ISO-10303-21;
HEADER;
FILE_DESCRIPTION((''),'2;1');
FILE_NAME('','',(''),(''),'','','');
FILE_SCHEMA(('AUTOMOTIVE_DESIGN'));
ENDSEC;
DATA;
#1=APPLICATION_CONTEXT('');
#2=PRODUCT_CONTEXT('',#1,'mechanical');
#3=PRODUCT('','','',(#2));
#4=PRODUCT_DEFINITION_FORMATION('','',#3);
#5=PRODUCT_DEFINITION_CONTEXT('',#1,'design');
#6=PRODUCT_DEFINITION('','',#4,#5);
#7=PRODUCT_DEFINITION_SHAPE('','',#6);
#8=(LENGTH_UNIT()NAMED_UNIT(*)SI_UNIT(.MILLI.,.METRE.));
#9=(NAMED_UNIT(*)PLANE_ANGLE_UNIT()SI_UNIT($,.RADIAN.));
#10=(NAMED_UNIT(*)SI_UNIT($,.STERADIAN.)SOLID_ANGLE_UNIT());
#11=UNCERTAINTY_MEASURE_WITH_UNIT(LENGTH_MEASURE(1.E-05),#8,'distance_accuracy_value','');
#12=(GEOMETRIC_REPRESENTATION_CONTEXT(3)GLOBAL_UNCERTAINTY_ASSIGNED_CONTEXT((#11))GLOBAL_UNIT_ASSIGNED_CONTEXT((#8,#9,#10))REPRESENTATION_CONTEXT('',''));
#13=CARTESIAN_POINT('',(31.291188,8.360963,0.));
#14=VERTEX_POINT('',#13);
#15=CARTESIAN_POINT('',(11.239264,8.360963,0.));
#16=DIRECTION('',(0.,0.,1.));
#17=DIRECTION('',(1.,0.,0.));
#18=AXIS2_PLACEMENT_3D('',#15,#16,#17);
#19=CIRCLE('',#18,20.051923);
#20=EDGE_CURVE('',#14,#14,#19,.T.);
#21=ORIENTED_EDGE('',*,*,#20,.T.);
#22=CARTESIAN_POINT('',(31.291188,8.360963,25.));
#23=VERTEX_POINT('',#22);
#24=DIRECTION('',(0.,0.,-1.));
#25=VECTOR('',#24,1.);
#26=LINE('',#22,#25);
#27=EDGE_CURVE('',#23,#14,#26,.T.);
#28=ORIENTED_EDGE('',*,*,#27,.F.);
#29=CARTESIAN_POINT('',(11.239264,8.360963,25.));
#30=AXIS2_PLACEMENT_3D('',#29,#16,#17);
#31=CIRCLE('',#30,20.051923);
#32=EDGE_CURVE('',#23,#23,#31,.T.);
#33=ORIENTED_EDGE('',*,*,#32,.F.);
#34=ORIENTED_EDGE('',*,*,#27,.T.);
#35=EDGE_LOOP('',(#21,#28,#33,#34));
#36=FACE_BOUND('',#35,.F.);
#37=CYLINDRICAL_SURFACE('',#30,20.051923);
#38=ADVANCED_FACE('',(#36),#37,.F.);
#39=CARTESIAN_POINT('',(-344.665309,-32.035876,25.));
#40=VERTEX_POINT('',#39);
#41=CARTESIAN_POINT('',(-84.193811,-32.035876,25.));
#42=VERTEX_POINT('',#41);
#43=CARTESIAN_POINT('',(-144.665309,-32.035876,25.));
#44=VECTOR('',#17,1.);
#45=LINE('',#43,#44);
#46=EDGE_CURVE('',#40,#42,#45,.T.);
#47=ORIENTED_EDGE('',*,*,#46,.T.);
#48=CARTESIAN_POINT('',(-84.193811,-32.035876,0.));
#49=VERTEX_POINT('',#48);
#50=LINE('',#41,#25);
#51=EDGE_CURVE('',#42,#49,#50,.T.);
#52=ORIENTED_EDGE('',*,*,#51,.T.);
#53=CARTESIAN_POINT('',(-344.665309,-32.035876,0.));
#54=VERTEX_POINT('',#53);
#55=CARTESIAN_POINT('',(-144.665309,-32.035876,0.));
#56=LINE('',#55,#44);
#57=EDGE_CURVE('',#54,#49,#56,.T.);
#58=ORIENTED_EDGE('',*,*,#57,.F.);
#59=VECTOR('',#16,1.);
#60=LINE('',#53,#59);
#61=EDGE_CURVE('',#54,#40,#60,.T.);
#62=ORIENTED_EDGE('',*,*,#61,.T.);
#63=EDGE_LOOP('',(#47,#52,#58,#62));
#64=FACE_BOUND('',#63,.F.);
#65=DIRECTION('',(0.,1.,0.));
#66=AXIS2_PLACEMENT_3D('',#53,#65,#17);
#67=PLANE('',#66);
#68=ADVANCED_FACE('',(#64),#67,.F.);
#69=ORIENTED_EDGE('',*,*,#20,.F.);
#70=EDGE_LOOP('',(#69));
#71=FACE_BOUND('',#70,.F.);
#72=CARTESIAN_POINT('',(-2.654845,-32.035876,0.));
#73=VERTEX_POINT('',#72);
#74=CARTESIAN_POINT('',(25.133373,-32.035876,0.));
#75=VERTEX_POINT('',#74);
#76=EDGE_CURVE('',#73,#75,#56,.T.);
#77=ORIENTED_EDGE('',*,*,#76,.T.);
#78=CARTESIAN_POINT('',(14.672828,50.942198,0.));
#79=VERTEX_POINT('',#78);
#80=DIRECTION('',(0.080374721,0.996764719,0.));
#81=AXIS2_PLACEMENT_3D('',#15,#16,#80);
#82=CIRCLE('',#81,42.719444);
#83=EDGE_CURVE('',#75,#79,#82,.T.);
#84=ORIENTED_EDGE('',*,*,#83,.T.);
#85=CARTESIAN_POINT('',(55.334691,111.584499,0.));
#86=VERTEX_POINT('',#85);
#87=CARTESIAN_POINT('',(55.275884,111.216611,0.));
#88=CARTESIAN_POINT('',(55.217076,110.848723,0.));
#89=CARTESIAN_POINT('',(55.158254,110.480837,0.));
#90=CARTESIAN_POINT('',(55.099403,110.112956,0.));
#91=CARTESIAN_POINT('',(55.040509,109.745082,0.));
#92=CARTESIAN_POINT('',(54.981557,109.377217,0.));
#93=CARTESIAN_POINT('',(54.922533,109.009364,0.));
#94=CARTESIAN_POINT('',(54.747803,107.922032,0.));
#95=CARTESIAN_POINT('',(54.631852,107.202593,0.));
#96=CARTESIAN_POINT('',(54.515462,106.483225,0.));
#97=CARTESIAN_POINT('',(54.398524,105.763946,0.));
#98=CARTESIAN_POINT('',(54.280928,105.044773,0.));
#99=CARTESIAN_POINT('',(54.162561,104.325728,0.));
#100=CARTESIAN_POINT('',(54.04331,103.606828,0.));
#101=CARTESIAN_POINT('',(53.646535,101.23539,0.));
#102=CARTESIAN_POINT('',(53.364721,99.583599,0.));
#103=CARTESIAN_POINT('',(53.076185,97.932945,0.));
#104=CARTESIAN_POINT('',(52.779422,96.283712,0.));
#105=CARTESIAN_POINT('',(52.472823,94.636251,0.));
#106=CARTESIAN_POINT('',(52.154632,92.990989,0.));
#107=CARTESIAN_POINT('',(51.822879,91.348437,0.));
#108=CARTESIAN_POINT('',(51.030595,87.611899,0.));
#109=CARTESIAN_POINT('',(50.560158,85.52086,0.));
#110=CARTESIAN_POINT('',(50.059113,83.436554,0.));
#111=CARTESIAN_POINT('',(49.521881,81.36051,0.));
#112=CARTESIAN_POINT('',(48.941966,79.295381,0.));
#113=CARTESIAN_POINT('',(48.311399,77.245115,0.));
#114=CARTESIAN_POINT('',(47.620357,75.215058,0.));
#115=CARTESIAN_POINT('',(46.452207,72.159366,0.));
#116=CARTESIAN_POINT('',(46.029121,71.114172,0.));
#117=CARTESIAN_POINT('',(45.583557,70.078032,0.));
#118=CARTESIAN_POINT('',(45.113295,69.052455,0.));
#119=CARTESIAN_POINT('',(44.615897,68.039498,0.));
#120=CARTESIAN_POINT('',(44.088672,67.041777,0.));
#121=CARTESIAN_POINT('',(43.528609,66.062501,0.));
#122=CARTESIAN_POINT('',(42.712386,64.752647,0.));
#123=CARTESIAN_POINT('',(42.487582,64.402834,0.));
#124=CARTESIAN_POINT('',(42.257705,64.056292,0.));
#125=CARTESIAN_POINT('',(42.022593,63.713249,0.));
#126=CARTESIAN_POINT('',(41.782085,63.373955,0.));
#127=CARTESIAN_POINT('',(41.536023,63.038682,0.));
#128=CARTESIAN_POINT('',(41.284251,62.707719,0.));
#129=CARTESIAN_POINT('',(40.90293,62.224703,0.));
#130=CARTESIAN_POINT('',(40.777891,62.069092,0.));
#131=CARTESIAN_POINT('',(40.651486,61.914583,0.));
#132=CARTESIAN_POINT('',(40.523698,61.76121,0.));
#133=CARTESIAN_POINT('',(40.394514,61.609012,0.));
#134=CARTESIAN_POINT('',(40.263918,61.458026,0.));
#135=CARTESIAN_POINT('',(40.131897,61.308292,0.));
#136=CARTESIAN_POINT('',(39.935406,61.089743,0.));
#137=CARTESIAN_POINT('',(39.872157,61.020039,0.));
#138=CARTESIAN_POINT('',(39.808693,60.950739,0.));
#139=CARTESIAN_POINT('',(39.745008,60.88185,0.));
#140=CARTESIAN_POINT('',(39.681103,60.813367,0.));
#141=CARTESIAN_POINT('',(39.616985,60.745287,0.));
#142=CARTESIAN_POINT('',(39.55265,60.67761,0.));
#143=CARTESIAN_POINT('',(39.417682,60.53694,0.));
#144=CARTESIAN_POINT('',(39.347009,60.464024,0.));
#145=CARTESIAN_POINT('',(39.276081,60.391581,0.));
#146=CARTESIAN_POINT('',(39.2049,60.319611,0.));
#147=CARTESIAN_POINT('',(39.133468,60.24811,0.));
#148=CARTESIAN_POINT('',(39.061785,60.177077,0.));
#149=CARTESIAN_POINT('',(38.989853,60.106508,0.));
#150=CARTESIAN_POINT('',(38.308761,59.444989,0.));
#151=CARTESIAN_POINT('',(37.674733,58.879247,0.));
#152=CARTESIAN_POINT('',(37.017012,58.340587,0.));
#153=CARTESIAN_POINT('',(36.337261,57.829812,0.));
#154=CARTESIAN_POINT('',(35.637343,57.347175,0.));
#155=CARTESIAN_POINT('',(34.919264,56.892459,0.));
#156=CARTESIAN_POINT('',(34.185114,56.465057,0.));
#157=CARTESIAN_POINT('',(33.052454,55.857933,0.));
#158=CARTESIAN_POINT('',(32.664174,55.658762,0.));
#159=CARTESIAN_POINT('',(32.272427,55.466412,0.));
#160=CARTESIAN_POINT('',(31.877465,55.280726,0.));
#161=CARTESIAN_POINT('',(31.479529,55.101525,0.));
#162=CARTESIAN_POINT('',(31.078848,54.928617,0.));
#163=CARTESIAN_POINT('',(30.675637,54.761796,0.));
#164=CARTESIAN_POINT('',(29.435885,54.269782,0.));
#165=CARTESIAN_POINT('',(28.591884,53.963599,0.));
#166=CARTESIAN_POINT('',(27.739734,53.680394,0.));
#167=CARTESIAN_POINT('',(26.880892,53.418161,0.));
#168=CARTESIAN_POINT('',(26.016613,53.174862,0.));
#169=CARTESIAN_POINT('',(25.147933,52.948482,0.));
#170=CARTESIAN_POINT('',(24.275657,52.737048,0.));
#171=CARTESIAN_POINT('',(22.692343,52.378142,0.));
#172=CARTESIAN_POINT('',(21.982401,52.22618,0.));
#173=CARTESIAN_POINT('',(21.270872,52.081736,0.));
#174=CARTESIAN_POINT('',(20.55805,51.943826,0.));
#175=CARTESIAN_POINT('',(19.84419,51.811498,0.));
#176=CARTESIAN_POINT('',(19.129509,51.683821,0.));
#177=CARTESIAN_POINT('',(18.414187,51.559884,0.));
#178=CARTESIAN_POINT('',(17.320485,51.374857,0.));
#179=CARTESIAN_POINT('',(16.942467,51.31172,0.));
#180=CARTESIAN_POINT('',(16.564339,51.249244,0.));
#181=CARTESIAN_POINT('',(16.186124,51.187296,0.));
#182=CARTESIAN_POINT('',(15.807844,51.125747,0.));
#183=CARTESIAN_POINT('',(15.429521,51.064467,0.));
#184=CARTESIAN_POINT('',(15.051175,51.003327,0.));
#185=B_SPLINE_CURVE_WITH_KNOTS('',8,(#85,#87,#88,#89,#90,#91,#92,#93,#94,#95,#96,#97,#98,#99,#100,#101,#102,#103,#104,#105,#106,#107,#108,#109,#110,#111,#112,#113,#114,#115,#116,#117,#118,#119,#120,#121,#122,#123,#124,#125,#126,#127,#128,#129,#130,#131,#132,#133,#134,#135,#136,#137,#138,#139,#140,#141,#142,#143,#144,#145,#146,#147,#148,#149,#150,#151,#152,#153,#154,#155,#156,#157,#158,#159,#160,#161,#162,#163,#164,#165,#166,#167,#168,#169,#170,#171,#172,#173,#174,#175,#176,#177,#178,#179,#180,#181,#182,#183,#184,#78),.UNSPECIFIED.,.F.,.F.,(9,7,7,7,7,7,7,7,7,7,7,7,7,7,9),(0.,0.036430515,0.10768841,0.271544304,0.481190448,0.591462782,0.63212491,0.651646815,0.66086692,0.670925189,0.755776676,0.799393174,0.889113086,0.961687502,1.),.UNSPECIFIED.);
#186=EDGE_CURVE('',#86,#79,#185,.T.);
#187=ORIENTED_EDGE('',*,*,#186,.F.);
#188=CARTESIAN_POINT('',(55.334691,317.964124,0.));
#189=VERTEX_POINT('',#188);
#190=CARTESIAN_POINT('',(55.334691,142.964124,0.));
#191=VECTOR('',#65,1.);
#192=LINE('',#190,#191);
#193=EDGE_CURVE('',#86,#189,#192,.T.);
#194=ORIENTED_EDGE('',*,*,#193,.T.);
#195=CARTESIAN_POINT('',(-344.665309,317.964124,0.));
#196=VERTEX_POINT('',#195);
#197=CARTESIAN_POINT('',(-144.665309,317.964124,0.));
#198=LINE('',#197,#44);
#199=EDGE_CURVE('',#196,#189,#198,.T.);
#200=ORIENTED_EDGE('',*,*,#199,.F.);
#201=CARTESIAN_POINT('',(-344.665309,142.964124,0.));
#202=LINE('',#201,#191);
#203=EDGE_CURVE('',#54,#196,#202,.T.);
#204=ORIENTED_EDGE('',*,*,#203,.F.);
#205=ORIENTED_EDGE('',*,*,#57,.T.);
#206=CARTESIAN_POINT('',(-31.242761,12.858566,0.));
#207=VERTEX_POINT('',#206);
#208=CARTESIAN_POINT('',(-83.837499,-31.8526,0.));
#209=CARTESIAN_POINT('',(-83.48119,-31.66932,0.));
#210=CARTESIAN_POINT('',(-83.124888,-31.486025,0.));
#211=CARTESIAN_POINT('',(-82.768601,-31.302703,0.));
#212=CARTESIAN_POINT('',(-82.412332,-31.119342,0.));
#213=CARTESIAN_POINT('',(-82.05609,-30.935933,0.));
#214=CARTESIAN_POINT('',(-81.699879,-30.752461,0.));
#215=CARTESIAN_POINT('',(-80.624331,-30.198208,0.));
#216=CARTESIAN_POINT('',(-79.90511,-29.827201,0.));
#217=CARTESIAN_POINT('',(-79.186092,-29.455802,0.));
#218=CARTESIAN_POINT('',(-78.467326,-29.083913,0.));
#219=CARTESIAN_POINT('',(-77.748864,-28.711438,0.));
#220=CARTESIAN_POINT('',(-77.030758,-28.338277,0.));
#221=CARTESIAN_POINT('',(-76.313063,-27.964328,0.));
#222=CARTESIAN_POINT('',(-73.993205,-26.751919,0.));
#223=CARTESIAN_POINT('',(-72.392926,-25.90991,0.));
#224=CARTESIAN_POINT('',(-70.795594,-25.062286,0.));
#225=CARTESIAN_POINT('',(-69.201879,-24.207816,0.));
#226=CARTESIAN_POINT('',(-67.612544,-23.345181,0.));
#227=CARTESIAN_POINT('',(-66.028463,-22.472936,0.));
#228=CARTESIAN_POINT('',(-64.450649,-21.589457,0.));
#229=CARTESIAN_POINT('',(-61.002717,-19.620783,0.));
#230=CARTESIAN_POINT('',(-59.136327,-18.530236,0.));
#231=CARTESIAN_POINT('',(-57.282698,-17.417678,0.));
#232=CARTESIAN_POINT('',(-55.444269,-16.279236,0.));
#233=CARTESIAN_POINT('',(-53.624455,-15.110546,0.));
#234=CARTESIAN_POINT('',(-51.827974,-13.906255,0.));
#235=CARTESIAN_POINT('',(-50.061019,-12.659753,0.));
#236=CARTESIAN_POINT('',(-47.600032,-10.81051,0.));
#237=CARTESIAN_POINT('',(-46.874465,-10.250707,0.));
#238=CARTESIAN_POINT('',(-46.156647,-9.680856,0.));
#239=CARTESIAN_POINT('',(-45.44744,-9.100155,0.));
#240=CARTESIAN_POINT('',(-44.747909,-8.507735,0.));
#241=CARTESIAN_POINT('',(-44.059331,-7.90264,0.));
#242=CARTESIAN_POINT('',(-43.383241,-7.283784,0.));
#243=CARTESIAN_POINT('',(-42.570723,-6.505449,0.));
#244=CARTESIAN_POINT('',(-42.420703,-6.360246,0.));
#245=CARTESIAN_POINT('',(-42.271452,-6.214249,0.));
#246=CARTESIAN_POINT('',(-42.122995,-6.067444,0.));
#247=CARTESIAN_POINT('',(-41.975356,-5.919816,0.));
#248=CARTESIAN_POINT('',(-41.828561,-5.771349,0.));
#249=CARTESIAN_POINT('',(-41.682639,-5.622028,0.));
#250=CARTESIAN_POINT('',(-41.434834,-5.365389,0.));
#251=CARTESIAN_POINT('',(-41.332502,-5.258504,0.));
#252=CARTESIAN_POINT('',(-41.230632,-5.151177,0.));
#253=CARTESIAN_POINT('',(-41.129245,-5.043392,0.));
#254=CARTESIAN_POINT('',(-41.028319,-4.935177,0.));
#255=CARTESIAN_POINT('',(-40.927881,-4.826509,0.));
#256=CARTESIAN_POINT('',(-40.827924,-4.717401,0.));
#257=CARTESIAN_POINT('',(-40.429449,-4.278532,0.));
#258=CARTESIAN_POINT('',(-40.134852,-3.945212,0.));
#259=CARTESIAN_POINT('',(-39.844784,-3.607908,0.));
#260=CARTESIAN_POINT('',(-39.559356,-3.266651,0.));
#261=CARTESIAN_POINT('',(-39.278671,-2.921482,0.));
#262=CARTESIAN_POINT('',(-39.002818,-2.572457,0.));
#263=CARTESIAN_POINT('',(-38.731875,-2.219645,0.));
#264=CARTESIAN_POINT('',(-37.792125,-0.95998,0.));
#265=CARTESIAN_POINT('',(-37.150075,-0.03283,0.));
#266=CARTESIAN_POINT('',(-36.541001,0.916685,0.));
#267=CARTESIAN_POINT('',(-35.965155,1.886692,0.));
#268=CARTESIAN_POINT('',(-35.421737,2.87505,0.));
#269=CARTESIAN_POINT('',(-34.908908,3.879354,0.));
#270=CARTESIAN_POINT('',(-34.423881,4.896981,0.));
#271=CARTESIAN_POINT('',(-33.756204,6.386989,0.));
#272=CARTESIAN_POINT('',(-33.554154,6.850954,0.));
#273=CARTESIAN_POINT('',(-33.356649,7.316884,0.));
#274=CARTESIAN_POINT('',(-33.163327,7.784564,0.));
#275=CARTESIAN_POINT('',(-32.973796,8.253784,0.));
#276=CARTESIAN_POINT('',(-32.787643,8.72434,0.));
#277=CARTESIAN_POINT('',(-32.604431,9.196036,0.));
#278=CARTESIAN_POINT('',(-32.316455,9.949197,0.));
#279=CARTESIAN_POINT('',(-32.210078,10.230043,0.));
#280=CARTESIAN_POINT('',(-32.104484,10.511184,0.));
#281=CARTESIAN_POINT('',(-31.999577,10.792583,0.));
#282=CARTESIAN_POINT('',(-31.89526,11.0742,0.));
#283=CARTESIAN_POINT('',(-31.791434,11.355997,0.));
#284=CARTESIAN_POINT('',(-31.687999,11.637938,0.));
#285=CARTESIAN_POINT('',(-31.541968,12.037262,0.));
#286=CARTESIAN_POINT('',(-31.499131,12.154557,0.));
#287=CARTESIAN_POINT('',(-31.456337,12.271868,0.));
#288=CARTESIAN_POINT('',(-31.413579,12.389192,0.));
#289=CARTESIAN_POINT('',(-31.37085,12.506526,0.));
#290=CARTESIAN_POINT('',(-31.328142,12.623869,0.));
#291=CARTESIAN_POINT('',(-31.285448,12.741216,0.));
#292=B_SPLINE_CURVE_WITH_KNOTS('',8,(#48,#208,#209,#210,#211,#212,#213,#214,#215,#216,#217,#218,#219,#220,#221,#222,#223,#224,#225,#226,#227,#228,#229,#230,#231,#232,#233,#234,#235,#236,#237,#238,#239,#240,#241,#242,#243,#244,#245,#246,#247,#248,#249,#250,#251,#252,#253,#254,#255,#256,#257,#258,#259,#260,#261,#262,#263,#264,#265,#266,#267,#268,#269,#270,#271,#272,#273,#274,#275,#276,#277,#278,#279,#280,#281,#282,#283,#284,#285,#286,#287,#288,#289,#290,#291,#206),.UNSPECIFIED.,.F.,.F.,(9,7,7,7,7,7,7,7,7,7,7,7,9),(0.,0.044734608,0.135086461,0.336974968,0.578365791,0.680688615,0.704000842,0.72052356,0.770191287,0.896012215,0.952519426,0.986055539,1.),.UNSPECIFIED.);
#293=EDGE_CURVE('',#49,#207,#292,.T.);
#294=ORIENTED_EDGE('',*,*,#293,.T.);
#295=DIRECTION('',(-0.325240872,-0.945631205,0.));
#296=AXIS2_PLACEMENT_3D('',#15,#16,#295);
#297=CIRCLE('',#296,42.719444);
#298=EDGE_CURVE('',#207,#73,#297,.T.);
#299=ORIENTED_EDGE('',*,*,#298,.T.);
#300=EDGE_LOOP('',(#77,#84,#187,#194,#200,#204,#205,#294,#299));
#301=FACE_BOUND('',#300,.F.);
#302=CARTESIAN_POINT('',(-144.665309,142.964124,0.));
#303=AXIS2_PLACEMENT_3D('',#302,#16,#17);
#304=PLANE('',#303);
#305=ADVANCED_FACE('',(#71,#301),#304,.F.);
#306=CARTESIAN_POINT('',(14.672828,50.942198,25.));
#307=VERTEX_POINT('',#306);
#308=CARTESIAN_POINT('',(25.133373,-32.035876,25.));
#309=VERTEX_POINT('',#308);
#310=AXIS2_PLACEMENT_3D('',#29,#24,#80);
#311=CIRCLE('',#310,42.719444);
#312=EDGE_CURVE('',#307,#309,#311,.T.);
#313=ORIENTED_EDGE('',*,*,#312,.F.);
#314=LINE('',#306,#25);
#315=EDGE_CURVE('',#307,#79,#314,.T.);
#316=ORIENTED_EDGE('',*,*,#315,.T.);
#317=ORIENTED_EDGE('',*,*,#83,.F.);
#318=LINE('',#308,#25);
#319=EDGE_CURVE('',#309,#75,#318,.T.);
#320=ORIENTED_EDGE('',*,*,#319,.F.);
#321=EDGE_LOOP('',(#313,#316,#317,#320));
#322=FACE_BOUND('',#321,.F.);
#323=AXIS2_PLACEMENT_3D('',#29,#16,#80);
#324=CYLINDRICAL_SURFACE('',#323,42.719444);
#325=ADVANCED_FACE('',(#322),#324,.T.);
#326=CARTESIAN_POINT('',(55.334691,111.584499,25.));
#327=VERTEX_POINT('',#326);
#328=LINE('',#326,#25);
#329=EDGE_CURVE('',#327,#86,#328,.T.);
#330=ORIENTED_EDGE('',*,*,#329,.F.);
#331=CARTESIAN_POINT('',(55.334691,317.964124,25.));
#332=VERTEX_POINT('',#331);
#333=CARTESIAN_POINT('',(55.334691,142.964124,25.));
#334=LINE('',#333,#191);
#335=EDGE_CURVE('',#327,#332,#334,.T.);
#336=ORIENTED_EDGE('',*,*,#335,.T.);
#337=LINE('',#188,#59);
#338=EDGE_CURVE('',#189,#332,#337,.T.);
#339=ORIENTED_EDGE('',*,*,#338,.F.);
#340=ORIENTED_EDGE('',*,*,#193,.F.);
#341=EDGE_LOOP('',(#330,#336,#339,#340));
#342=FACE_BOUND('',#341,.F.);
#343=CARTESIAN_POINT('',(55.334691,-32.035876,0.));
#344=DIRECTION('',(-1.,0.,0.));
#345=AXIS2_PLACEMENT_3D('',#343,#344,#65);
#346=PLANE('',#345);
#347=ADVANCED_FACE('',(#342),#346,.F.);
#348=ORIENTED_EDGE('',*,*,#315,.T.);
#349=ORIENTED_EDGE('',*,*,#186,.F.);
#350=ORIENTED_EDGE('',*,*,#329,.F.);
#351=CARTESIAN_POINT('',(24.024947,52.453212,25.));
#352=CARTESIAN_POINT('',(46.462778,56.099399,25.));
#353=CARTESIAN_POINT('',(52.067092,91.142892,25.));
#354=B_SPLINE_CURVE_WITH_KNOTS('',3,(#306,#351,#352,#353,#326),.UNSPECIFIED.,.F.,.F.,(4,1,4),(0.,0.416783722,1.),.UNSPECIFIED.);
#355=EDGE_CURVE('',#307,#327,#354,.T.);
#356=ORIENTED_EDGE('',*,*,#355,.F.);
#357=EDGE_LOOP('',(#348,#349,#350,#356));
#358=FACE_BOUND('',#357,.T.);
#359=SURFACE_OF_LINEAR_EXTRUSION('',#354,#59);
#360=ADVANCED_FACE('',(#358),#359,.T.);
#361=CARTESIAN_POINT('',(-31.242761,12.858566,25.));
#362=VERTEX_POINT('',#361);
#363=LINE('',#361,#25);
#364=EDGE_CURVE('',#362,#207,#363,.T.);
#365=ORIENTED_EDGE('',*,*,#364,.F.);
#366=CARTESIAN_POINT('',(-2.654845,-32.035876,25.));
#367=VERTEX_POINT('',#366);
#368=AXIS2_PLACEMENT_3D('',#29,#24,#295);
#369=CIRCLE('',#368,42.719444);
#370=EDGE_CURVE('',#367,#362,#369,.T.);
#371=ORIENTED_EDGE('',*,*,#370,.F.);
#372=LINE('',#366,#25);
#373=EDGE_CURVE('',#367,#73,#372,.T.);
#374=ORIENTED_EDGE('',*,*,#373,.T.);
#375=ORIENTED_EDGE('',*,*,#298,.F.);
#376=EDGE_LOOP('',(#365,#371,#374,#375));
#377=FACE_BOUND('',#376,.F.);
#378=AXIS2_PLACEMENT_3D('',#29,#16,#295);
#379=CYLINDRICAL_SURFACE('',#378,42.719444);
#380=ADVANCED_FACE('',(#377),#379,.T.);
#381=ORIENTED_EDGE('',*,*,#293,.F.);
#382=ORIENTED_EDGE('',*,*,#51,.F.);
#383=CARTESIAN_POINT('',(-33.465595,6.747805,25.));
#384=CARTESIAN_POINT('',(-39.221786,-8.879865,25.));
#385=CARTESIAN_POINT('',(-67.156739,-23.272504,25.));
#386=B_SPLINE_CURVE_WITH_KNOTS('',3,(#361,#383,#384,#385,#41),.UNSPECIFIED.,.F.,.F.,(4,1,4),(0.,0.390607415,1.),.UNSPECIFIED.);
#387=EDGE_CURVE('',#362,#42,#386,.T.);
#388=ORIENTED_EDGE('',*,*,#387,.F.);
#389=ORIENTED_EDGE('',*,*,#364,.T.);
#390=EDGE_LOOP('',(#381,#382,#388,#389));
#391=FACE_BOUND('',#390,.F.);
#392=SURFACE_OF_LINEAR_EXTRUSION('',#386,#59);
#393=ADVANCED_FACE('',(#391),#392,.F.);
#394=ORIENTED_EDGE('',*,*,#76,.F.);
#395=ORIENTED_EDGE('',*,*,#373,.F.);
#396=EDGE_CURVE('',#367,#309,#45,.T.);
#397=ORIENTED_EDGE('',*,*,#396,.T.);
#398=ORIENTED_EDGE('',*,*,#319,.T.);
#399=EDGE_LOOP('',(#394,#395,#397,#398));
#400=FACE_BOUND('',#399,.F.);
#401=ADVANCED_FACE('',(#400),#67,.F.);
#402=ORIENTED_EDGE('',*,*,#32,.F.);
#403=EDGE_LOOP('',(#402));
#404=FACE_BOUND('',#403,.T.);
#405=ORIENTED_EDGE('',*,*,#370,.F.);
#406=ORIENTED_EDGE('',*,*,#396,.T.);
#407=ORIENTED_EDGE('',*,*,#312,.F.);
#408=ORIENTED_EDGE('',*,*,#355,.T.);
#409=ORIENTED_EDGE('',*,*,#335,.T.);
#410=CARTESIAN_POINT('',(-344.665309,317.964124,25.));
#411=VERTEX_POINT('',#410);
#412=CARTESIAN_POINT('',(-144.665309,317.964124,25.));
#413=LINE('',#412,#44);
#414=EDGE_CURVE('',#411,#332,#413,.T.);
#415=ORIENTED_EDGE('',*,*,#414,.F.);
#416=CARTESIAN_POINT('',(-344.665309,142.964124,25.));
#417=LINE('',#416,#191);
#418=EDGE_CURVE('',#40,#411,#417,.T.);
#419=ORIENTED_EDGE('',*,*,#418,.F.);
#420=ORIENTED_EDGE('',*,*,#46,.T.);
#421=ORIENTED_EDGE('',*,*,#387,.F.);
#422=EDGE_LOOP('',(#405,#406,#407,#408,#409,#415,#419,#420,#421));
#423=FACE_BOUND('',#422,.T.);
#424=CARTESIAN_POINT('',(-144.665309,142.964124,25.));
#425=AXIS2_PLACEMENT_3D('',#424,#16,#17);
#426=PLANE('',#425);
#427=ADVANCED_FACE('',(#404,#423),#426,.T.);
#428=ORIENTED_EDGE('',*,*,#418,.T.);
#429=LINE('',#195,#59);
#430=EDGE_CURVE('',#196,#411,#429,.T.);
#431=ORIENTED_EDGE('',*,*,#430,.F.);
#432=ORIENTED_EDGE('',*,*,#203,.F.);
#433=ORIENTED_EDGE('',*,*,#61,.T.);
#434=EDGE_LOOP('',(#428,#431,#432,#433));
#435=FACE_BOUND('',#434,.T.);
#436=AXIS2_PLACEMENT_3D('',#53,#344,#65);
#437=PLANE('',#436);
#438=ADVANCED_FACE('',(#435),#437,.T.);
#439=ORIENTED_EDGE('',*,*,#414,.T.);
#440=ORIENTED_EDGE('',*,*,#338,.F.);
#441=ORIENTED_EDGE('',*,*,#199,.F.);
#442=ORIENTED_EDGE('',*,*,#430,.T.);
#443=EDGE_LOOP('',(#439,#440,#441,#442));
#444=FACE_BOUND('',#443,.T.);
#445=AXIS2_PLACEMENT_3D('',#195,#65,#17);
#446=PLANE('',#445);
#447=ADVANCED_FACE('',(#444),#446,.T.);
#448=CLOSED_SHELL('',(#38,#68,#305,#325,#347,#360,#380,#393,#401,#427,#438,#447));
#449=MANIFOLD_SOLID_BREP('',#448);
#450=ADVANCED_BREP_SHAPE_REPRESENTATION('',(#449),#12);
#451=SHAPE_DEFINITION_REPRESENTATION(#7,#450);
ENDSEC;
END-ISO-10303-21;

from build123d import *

# Parameters (mm, degrees)
F0_W     = 400
F0_H     = 350
F1_DEPTH = 25
F3_DEPTH = 25.001
F4_DEPTH = 25.0010001
F2_R     = 20.0519233488
F5_DEPTH = 25.0010001


with BuildPart() as f1:
    # F0 (on Top) → F1 (new body)
    with BuildSketch(Plane.XY):
        with Locations((-144.6653090417, 142.9641239345)):
            Rectangle(F0_W, F0_H)
    extrude(amount=F1_DEPTH)

    # F2 (on face) → F3 (cut, through all)
    with BuildSketch(Plane.XY.offset(25)):
        with BuildLine():
            ThreePointArc((14.6728275564, 50.9421979835), (42.6369617116, 37.3287987877), (53.9587082521, 8.3609633148))
            ThreePointArc((53.9587082521, 8.3609633148), (46.0135328545, -16.4523625465), (25.1333734011, -32.0358760655))
            Line((25.1333734011, -32.0358760655), (55.3346909583, -32.0358760655))
            Line((55.3346909583, -32.0358760655), (55.3346909583, 111.5844994783))
            add(Edge.make_bspline(
                [(14.6728275564, 50.9421979835), (24.0249471422, 52.4532118897), (46.4627784533, 56.0993989243), (52.0670924126, 91.1428923077), (55.3346909583, 111.5844994783)],
                knots=[0, 0, 0, 0, 0.4167837217, 1, 1, 1, 1], degree=3))
        make_face()
    extrude(amount=-F3_DEPTH, mode=Mode.SUBTRACT)

    # F2 (on face) → F4 (cut, through all)
    with BuildSketch(Plane.XY.offset(25)):
        with BuildLine():
            ThreePointArc((-2.6548450803, -32.0358760655), (-24.7946762396, -14.5847561717), (-31.242761182, 12.8585656004))
            add(Edge.make_bspline(
                [(-31.242761182, 12.8585656004), (-33.4655953482, 6.747804549), (-39.2217861607, -8.8798649), (-67.1567385689, -23.2725037808), (-84.1938108206, -32.0358760655)],
                knots=[0, 0, 0, 0, 0.3906074154, 1, 1, 1, 1], degree=3))
            Line((-84.1938108206, -32.0358760655), (-2.6548450803, -32.0358760655))
        make_face()
    extrude(amount=-F4_DEPTH, mode=Mode.SUBTRACT)

    # F2 (on face) → F5 (cut, through all)
    with BuildSketch(Plane.XY.offset(25)):
        with Locations((11.2392641604, 8.3609633148)):
            Circle(F2_R)
    extrude(amount=-F5_DEPTH, mode=Mode.SUBTRACT)


solid = f1.part
